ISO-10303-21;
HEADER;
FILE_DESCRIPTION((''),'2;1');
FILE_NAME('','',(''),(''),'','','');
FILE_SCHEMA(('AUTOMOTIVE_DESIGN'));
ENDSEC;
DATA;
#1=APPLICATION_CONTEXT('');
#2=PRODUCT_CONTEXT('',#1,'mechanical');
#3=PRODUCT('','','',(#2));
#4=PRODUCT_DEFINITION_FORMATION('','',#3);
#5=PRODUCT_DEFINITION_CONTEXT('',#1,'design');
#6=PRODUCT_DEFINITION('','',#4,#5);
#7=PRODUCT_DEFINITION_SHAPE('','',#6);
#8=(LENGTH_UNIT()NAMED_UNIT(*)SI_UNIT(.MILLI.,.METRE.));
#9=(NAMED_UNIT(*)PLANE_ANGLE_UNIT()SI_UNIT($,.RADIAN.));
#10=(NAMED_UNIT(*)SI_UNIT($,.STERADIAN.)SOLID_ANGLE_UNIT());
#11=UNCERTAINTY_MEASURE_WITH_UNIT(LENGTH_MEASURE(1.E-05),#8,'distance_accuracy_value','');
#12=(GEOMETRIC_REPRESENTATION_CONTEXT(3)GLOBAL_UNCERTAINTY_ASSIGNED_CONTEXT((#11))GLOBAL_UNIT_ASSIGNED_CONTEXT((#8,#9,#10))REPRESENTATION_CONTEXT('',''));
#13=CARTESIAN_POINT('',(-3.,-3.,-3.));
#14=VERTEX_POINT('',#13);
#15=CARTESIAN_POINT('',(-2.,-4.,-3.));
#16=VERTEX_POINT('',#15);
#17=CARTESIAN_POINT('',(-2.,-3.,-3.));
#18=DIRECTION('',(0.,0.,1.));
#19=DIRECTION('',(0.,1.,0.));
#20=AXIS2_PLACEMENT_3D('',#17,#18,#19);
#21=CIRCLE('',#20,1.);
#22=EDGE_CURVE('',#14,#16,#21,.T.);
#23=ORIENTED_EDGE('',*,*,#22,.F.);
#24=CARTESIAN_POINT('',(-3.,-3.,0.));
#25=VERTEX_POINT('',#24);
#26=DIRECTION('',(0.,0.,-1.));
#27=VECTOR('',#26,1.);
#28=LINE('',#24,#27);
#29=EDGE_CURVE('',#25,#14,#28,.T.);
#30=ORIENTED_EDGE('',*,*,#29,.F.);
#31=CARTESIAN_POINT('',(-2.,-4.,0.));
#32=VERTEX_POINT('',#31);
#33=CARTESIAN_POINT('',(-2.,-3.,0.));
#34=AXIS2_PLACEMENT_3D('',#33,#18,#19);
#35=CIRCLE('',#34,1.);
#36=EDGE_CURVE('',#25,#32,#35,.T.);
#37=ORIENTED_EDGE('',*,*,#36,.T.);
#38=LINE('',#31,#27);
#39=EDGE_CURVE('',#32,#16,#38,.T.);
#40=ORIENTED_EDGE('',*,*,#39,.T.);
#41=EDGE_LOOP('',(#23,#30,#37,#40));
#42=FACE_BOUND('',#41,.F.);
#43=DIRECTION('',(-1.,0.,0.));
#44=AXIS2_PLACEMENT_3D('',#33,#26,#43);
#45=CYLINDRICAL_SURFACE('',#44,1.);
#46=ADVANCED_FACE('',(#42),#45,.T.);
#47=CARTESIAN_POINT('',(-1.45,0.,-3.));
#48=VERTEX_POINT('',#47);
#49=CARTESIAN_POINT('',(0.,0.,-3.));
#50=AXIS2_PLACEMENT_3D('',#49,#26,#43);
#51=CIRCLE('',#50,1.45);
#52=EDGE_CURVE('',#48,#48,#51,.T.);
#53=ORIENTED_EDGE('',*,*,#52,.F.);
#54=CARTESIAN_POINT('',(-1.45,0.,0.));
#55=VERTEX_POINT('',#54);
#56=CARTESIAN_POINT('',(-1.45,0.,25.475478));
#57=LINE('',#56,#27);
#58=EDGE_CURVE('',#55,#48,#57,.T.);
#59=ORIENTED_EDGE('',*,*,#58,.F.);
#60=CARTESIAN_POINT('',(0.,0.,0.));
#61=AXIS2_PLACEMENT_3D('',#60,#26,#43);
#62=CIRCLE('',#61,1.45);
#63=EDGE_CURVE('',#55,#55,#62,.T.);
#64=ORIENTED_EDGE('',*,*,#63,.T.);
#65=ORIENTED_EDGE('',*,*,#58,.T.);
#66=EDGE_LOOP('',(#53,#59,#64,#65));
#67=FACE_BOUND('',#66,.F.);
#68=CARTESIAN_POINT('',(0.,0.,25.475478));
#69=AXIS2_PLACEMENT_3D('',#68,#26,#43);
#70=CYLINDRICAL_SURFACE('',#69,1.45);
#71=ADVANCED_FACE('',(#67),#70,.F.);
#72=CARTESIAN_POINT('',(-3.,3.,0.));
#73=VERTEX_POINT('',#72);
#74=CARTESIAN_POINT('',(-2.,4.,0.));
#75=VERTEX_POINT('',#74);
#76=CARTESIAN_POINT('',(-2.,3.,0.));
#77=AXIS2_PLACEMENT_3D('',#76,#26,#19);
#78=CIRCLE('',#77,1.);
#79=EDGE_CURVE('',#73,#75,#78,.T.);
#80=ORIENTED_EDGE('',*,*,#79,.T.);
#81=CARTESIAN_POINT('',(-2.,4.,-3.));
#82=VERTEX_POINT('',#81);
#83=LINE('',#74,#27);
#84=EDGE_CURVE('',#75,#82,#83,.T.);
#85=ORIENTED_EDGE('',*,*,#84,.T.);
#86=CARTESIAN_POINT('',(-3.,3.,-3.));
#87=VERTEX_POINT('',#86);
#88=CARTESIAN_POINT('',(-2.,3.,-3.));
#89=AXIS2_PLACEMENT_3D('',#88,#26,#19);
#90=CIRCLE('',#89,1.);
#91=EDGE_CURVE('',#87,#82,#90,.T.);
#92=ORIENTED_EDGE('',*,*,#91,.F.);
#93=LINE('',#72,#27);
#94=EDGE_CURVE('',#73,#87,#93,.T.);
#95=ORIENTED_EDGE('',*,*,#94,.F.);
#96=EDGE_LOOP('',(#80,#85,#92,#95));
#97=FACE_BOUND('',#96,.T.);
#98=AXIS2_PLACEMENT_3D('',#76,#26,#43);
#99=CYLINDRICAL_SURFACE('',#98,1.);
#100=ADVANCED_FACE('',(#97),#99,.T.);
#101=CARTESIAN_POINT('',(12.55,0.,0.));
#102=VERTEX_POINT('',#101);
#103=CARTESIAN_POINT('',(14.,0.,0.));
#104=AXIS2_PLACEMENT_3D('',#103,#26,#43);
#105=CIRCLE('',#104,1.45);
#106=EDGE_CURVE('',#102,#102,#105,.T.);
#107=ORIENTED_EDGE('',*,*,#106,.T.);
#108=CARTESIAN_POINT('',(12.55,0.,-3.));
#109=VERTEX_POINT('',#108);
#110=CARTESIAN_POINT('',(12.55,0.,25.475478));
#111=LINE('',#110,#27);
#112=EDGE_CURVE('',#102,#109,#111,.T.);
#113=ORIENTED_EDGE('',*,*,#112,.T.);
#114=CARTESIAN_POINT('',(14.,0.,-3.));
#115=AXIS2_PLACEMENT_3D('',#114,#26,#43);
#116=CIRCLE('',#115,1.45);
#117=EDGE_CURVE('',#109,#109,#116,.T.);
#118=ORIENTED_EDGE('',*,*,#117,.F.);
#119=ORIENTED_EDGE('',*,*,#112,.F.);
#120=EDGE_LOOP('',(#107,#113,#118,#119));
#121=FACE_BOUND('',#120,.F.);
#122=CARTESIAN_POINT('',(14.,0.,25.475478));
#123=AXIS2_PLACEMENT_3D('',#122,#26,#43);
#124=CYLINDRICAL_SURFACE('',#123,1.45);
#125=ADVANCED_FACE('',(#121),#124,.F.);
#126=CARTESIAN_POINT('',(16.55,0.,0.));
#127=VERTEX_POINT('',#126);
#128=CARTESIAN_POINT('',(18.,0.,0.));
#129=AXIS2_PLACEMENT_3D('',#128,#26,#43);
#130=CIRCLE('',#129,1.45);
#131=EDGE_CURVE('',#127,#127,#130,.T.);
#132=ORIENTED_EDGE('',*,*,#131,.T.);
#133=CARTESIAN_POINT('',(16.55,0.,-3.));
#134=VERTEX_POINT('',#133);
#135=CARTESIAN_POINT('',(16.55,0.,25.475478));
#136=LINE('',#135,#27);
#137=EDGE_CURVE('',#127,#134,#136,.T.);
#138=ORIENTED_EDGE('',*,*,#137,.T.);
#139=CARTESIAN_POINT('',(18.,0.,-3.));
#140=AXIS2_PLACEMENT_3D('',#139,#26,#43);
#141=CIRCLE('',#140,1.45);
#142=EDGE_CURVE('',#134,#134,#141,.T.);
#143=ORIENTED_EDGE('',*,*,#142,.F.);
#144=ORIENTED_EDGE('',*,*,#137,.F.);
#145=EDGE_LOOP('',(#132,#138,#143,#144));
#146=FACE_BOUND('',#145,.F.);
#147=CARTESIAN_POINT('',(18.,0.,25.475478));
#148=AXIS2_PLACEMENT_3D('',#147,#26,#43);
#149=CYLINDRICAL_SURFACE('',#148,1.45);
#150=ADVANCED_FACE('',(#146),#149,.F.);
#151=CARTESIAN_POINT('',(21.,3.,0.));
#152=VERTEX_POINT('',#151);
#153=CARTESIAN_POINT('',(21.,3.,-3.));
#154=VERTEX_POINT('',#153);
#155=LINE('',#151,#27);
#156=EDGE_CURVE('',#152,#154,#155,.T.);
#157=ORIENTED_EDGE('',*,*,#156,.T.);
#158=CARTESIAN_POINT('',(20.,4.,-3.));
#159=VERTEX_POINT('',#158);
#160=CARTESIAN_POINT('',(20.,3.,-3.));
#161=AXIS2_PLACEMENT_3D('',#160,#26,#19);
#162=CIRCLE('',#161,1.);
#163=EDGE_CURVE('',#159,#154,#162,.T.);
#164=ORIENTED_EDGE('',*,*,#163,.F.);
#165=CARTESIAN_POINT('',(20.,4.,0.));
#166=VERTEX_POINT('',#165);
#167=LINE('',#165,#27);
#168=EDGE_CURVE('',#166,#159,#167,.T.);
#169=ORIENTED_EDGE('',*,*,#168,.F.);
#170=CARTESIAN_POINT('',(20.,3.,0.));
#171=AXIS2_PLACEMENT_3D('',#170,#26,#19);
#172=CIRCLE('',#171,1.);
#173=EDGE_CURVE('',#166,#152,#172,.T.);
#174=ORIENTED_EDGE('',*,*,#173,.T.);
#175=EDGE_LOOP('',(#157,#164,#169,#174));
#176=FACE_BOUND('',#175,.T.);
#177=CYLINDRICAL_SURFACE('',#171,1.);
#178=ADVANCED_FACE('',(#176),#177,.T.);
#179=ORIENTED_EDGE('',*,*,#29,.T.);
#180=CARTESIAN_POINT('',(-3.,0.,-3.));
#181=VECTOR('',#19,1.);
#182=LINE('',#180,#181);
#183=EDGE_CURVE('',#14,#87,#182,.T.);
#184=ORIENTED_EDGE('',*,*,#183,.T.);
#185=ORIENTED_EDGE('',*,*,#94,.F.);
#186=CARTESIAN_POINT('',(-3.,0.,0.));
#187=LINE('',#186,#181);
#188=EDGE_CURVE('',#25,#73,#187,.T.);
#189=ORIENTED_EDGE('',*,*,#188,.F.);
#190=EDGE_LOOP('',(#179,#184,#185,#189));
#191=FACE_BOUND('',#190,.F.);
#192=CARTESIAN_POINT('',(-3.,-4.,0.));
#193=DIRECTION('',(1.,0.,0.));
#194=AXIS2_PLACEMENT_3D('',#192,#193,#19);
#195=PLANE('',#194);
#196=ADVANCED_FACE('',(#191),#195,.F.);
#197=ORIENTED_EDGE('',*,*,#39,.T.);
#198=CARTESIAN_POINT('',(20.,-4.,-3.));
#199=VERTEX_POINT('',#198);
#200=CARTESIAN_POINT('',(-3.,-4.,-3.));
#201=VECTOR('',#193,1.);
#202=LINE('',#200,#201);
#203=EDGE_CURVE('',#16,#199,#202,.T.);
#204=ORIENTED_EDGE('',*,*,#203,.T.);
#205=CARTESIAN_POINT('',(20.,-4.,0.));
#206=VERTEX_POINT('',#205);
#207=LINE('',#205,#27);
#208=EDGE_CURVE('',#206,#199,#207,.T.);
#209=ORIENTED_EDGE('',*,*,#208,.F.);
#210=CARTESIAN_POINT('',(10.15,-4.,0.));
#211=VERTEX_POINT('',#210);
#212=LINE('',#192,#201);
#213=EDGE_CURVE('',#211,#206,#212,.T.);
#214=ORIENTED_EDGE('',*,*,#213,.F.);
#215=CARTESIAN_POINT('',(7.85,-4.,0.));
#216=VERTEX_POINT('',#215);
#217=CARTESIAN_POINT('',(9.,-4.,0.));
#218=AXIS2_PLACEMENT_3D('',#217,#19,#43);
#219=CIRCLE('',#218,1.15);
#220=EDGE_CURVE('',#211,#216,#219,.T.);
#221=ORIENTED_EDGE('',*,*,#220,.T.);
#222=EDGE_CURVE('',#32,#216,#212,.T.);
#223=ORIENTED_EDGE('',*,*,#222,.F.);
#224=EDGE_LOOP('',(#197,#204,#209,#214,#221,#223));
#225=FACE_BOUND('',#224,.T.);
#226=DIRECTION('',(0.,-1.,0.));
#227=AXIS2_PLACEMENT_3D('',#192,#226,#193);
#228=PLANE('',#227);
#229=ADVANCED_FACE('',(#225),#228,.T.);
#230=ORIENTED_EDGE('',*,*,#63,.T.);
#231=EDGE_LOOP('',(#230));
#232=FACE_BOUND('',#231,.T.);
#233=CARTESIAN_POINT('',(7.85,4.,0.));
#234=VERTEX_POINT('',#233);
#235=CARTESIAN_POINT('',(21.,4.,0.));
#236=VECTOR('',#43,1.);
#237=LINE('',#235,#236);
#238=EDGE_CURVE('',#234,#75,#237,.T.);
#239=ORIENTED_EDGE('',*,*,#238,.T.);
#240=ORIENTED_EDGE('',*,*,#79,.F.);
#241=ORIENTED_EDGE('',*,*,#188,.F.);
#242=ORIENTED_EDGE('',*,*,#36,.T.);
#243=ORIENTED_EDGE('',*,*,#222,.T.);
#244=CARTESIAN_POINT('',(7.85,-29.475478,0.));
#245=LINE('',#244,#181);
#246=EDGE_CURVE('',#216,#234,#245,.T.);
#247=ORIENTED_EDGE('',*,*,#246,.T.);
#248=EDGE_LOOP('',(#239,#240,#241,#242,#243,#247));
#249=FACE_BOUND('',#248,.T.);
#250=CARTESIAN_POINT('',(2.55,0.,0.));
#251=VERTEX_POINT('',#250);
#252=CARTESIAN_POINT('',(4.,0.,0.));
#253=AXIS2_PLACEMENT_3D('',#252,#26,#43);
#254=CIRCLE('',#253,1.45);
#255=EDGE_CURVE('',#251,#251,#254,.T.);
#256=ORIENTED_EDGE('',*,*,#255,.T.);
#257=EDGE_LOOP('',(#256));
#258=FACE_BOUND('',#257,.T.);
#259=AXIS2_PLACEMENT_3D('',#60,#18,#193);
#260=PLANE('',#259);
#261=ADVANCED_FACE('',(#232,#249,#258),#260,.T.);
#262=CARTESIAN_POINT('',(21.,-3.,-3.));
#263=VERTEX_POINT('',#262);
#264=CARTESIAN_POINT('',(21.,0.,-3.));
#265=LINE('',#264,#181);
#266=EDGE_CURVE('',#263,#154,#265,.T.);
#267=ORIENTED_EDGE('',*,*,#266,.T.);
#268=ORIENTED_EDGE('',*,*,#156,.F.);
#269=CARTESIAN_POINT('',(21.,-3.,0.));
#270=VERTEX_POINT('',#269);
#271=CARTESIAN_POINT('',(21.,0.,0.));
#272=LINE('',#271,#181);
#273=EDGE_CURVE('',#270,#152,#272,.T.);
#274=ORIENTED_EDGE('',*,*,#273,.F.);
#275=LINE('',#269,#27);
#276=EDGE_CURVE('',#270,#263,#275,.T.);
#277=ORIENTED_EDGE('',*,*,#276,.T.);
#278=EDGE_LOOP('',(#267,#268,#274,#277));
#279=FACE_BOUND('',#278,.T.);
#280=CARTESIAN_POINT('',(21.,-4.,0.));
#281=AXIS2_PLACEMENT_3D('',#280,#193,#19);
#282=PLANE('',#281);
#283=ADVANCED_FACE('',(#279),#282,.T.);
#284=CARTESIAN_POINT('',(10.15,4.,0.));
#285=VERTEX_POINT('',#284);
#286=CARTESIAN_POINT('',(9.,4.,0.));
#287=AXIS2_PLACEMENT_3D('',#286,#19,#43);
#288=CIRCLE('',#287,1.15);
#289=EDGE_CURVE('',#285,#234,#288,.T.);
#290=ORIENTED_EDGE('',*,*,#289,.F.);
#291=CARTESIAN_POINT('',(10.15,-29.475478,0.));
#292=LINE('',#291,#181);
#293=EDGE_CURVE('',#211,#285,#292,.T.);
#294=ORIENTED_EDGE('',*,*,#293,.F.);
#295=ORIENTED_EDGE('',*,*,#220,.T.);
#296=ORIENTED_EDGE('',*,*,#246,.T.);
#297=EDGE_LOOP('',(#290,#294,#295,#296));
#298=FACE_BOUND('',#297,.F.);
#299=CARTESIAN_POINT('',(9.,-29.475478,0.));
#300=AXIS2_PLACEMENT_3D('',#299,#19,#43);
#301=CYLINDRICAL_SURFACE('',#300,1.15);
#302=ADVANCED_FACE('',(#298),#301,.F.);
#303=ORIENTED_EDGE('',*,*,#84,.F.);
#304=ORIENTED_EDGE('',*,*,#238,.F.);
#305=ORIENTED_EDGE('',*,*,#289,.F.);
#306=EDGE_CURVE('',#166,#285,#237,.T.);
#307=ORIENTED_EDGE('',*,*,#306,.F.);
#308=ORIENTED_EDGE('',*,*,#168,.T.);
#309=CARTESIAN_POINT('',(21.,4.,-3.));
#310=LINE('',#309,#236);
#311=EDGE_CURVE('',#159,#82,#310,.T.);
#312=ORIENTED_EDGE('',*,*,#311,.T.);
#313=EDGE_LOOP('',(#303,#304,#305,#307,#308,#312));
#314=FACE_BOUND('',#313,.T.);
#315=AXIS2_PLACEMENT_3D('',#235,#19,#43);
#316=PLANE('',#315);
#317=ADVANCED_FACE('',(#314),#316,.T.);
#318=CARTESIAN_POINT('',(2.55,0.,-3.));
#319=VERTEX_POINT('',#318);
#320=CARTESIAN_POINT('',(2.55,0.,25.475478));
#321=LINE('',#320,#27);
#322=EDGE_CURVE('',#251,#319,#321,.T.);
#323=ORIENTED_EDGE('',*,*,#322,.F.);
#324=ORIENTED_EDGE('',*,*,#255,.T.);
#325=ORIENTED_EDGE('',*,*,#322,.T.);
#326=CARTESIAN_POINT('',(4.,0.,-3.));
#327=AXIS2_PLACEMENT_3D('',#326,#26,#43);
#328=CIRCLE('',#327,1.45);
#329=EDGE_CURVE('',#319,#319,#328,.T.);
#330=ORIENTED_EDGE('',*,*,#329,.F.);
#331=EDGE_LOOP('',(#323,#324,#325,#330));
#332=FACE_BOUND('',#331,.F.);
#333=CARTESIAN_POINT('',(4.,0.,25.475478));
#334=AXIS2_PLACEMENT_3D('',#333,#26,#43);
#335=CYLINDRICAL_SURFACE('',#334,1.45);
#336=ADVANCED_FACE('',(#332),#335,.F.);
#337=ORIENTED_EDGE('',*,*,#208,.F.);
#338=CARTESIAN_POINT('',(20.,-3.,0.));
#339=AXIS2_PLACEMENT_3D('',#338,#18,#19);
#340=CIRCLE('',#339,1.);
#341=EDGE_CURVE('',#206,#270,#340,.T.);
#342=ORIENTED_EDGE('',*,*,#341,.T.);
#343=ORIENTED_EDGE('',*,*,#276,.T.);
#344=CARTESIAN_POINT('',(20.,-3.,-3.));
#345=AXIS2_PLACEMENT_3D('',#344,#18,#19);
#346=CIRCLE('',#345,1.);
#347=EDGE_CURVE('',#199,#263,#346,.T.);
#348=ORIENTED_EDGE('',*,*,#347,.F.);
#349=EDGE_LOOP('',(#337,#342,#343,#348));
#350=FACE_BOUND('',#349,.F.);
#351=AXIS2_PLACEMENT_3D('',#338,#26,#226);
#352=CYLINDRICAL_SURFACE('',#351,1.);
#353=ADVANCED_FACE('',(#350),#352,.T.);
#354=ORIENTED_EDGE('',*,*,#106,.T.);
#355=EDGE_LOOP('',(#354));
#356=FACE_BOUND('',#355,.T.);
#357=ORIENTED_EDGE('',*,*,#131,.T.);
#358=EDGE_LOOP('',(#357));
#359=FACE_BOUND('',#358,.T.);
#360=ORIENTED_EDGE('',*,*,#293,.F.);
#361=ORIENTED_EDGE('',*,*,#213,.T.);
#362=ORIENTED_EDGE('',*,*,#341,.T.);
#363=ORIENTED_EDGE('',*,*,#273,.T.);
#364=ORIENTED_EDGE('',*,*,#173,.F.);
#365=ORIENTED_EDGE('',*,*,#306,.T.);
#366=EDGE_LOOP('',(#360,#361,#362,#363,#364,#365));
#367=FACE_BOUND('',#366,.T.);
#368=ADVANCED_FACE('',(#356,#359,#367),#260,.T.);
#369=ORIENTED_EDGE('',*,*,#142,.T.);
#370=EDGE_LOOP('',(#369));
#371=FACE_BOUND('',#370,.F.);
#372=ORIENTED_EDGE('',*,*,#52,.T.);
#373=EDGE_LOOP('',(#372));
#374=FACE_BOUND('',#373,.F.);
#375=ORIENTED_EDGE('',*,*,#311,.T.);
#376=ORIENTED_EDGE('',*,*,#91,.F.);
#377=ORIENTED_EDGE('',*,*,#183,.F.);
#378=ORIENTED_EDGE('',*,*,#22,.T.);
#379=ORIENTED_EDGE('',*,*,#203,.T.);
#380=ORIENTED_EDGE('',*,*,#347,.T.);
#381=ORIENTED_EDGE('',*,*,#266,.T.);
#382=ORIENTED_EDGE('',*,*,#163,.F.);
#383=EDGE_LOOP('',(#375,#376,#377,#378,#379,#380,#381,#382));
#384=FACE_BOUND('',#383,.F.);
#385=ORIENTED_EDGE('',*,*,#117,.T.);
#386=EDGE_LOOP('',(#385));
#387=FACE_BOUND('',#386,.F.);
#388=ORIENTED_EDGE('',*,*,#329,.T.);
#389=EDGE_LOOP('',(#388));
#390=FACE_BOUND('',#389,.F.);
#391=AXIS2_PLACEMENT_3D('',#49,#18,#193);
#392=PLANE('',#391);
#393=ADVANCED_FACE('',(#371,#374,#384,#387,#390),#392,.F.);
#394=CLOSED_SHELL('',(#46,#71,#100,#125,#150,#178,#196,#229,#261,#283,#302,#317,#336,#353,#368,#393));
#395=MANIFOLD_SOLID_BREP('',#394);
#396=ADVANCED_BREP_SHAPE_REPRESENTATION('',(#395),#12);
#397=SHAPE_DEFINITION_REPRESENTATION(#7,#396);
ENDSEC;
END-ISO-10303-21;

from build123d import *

# Parameters (mm, degrees)
F0_W     = 6
F0_H     = 8
F0_W_2   = 12
F1_DEPTH = 3
F2_D     = 2.9
F4_D     = 2.3
F5_R     = 1


with BuildPart() as f1:
    # F0 (on Top) → F1 (new body)
    with BuildSketch(Plane.XY):
        Rectangle(F0_W, F0_H)
        with Locations((9, 0)):
            Rectangle(F0_W_2, F0_H)
        with Locations((18, 0)):
            Rectangle(F0_W, F0_H)
    extrude(amount=-F1_DEPTH)

    # F2 (through all)
    with Locations(Plane.XY):
        with Locations((0, 0), (4, 0), (14, 0), (18, 0)):
            Hole(F2_D / 2)

    # F4 (through all)
    with Locations(Plane.XZ.offset(4)):
        with Locations((9, 0)):
            Hole(F4_D / 2)

    # F5
    f5_edges = [f1.edges().sort_by_distance(p)[0] for p in [
        (-3, -4, -1.5),
        (21, -4, -1.5),
        (21, 4, -1.5),
        (-3, 4, -1.5),
    ]]
    fillet(f5_edges, radius=F5_R)


solid = f1.part
